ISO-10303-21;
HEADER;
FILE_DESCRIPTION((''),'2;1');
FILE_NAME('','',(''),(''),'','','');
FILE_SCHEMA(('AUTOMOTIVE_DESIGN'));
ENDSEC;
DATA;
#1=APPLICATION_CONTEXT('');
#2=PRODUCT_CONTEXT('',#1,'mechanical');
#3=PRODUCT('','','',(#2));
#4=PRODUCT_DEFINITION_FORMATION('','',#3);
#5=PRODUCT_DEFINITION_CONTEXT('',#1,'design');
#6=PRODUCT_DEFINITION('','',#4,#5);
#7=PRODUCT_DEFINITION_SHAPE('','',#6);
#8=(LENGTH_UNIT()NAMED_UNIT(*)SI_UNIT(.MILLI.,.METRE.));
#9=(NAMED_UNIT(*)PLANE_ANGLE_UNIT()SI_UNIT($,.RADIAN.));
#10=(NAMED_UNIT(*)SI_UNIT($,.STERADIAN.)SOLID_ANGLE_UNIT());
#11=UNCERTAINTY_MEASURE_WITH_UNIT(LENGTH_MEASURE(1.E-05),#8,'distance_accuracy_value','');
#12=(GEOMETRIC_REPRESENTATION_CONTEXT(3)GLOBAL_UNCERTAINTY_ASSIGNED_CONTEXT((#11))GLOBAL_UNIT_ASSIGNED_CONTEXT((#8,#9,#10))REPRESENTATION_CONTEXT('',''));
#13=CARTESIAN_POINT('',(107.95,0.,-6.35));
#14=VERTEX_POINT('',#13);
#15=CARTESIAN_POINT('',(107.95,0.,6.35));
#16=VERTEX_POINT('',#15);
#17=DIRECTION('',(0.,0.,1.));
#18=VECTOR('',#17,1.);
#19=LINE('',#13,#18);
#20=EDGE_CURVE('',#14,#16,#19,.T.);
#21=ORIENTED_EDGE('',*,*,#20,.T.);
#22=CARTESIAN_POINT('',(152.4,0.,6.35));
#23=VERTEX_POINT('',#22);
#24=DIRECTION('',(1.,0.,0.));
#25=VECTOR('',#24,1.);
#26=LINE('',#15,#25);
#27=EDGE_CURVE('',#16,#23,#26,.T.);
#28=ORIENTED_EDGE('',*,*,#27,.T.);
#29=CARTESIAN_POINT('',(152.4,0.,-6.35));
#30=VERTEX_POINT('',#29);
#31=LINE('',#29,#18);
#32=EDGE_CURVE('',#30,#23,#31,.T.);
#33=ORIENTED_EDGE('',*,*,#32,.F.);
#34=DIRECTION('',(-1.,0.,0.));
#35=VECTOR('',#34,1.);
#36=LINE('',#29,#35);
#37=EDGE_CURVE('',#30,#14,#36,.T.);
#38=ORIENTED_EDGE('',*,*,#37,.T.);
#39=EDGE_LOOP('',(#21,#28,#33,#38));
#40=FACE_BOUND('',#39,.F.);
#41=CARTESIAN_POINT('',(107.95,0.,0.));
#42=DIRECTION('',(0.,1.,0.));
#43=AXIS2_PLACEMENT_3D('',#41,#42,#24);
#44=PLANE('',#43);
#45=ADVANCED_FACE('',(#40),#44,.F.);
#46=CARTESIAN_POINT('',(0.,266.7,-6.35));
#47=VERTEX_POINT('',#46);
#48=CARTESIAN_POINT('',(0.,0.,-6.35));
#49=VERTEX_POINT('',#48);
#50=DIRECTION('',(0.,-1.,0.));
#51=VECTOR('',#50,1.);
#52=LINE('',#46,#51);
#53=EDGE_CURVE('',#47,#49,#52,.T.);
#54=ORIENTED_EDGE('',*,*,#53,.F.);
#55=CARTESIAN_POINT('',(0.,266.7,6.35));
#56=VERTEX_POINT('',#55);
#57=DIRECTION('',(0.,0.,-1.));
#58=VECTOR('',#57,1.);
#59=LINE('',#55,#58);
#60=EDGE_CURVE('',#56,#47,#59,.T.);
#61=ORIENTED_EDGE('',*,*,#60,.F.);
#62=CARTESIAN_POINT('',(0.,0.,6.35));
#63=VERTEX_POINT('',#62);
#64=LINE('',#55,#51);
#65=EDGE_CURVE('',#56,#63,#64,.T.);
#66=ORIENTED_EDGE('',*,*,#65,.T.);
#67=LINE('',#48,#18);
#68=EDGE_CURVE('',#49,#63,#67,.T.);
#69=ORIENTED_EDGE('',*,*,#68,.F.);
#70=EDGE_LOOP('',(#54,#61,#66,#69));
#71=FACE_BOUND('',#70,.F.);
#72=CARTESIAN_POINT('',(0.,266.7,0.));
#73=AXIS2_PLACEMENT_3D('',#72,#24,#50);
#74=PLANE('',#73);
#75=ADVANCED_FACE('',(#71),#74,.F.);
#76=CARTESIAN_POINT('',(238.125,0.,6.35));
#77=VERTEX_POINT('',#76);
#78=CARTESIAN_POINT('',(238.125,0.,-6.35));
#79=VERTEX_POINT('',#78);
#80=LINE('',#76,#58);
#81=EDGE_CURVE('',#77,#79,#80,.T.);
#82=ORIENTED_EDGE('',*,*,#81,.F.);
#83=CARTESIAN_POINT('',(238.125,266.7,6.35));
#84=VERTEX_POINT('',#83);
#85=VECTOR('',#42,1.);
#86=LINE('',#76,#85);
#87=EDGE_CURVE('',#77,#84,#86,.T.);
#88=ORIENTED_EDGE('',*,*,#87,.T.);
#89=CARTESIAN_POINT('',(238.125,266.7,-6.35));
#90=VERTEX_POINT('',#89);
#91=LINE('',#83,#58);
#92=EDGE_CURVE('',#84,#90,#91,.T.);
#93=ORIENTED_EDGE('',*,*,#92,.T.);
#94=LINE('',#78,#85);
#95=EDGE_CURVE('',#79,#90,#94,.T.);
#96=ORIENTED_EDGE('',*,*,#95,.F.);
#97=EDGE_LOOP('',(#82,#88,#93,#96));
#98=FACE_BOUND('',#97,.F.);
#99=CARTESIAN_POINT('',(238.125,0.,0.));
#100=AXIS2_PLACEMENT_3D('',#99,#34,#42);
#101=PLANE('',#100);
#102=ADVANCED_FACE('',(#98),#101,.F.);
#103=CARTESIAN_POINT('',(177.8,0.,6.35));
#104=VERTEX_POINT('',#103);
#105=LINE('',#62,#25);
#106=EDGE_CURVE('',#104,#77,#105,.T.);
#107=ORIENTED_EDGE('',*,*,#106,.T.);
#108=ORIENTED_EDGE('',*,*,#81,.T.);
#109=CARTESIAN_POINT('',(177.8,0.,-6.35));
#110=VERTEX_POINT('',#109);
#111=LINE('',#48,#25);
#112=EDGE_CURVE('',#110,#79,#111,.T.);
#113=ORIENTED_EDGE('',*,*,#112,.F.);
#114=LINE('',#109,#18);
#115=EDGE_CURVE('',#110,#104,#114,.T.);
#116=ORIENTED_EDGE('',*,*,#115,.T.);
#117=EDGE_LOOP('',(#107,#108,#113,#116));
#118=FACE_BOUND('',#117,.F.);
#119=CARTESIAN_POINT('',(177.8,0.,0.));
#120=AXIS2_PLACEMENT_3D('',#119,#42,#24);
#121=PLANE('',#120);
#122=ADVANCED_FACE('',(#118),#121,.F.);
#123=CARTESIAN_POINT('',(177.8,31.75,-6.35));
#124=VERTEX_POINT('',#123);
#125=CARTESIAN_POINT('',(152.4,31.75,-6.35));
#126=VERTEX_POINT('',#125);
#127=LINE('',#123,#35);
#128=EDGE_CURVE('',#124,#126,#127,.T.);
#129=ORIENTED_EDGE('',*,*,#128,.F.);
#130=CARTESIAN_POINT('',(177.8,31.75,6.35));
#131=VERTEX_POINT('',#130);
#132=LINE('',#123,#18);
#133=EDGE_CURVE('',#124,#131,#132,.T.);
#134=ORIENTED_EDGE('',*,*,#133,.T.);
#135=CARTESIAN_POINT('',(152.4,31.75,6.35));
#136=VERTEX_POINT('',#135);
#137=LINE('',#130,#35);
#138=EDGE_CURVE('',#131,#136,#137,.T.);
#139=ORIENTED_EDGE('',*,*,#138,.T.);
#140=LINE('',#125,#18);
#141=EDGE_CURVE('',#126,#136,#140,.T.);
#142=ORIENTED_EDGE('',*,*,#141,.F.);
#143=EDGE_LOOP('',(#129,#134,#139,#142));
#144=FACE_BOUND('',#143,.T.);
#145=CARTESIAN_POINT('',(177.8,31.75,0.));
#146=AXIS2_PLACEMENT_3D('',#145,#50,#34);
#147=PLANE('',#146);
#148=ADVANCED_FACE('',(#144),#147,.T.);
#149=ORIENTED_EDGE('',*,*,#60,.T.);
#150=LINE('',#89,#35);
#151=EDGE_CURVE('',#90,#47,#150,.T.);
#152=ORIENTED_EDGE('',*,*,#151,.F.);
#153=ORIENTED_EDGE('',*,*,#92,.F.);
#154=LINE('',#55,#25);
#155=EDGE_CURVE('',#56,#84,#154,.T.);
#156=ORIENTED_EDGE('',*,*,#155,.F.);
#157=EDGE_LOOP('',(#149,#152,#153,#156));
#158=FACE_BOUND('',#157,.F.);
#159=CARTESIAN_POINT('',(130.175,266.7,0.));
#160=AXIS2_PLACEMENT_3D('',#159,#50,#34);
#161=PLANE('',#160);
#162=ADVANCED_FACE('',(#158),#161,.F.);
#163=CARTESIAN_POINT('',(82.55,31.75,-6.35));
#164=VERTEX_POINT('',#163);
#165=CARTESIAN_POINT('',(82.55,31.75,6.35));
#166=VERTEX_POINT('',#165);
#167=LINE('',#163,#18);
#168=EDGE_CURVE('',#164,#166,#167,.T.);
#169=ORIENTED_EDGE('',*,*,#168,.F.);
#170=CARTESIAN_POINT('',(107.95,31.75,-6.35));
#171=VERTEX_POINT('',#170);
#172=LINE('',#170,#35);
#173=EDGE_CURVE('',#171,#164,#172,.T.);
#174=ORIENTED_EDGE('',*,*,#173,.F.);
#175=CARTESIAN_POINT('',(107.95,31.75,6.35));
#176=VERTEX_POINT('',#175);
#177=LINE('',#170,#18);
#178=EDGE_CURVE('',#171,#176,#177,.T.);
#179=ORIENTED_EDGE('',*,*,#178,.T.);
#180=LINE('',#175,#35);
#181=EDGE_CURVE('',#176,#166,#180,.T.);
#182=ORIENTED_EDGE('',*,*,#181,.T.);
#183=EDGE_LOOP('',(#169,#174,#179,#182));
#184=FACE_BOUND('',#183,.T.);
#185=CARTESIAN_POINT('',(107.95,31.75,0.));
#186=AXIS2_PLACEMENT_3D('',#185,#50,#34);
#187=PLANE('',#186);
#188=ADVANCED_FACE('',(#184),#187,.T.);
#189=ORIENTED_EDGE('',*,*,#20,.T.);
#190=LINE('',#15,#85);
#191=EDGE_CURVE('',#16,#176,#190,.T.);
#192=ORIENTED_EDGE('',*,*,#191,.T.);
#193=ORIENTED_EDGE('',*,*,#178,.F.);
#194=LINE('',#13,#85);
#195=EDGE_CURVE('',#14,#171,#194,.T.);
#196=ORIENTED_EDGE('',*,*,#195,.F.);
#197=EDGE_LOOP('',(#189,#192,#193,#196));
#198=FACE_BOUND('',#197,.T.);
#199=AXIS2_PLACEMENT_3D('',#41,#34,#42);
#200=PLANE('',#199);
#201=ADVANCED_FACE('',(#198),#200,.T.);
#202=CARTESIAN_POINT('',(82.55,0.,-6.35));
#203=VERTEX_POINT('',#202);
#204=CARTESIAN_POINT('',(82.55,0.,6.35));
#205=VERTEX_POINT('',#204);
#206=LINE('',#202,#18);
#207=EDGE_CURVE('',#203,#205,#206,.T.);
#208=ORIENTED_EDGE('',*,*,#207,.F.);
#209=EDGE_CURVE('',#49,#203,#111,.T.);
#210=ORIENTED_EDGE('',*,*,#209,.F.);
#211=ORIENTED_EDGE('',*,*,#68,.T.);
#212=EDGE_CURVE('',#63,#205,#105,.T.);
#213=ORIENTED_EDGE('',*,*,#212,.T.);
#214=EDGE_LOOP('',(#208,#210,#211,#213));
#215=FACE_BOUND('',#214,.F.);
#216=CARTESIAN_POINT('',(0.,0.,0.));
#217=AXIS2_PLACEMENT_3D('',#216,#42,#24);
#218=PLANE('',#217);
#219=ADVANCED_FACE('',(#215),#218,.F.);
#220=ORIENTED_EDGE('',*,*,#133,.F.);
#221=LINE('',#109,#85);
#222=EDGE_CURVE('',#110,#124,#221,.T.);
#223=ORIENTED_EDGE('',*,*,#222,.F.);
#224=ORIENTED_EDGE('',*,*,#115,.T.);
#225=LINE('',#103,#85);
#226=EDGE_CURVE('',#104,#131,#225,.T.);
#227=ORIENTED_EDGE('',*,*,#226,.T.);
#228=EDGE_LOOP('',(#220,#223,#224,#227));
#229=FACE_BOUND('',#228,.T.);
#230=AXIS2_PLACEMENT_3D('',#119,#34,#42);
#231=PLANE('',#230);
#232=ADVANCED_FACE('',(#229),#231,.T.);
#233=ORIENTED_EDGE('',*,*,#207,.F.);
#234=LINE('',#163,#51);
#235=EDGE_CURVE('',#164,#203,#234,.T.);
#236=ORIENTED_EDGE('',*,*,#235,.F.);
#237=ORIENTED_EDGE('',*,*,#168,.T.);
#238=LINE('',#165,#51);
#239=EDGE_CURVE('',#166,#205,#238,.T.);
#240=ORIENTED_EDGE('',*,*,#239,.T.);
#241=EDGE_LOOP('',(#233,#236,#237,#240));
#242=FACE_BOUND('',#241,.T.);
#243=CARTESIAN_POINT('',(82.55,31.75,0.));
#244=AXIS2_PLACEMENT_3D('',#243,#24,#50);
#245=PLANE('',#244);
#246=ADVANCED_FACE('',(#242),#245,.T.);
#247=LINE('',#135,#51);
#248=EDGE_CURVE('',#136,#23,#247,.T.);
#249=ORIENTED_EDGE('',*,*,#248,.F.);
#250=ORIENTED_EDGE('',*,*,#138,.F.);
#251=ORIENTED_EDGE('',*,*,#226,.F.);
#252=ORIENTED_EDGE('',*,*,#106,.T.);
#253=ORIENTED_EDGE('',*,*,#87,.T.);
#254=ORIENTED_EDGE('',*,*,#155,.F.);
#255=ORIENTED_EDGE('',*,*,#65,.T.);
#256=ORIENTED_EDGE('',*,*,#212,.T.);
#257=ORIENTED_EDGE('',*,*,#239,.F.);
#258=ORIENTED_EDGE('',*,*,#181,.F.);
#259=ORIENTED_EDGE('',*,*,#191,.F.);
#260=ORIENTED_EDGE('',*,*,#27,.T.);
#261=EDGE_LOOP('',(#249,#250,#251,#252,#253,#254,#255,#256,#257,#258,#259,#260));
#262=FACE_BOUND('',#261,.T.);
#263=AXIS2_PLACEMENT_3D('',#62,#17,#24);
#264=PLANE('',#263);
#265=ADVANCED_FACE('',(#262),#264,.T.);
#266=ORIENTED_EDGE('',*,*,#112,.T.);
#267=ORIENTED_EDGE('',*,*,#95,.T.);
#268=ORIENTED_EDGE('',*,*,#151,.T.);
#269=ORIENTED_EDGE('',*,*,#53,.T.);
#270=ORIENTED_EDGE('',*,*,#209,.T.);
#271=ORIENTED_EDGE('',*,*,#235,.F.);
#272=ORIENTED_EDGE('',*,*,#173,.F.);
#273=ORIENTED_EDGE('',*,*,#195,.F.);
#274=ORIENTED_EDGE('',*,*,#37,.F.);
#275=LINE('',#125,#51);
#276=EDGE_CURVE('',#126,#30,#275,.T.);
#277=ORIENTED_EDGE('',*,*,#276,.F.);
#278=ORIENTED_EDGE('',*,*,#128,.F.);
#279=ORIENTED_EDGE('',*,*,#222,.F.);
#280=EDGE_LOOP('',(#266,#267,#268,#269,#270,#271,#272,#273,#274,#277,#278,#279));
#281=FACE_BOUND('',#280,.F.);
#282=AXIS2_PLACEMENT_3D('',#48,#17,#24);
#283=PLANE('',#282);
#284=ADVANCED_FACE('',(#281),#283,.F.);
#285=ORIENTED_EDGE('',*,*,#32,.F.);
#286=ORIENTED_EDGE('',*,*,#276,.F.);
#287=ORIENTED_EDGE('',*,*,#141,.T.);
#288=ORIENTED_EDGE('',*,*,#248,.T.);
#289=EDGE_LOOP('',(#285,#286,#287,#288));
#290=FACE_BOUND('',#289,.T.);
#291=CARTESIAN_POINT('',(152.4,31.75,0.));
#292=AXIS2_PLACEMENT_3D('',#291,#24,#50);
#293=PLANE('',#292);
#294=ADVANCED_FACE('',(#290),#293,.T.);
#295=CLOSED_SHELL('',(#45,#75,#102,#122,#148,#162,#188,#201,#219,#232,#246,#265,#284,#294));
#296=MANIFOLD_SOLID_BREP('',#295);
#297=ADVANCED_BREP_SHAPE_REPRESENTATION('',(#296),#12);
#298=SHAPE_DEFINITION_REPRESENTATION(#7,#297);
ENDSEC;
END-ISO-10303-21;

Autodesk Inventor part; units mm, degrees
ref_plane "YZ Plane" through (0, 0, 0) normal (1, 0, 0) x (0, 1, 0)
ref_plane "XZ Plane" through (0, 0, 0) normal (0, 1, 0) x (-1, 0, 0)
ref_plane "XY Plane" through (0, 0, 0) normal (0, 0, 1) x (1, 0, 0)
sketch "Sketch1" plane through (0, 0, 0) normal (0, 0, 1) x (1, 0, 0)
  point P0 (0, 0)
sketch "Sketch2" plane through (0, 0, 0) normal (0, 0, 1) x (1, 0, 0)
  line L0 (0, 0) -> (238.125, 0)
  line L1 (238.125, 0) -> (238.125, 266.7)
  line L2 (238.125, 266.7) -> (0, 266.7)
  line L3 (0, 266.7) -> (0, 0)
  line L4 (82.55, 0) -> (107.95, 0)
  line L5 (107.95, 0) -> (107.95, 31.75)
  line L6 (107.95, 31.75) -> (82.55, 31.75)
  line L7 (82.55, 31.75) -> (82.55, 0)
  line L8 (152.4, 0) -> (177.8, 0)
  line L9 (177.8, 0) -> (177.8, 31.75)
  line L10 (177.8, 31.75) -> (152.4, 31.75)
  line L11 (152.4, 31.75) -> (152.4, 0)
  line L12 (130.175, 266.7) -> (130.175, 0)
  dimension "Width" = 238.125
  dimension "d1" = 266.7
  dimension "d2" = 130.175
  dimension "d3" = 22.225
  dimension "d4" = 25.4
  dimension "d5" = 22.225
  dimension "d6" = 25.4
  dimension "d7" = 31.75
extrude "Extrusion1" add sketch "Sketch2" along normal mid plane 12.7 contours L3 L2 L12 L0 L5 L6 L7 | L2 L1 L0 L9 L10 L11 L12
equation "\"d1\" = Height + Thick"
equation "\"d8\" = Thick"
equation "\"Height\" = 254"
equation "\"Thick\" = 12.7"
properties part number "SideWall"
